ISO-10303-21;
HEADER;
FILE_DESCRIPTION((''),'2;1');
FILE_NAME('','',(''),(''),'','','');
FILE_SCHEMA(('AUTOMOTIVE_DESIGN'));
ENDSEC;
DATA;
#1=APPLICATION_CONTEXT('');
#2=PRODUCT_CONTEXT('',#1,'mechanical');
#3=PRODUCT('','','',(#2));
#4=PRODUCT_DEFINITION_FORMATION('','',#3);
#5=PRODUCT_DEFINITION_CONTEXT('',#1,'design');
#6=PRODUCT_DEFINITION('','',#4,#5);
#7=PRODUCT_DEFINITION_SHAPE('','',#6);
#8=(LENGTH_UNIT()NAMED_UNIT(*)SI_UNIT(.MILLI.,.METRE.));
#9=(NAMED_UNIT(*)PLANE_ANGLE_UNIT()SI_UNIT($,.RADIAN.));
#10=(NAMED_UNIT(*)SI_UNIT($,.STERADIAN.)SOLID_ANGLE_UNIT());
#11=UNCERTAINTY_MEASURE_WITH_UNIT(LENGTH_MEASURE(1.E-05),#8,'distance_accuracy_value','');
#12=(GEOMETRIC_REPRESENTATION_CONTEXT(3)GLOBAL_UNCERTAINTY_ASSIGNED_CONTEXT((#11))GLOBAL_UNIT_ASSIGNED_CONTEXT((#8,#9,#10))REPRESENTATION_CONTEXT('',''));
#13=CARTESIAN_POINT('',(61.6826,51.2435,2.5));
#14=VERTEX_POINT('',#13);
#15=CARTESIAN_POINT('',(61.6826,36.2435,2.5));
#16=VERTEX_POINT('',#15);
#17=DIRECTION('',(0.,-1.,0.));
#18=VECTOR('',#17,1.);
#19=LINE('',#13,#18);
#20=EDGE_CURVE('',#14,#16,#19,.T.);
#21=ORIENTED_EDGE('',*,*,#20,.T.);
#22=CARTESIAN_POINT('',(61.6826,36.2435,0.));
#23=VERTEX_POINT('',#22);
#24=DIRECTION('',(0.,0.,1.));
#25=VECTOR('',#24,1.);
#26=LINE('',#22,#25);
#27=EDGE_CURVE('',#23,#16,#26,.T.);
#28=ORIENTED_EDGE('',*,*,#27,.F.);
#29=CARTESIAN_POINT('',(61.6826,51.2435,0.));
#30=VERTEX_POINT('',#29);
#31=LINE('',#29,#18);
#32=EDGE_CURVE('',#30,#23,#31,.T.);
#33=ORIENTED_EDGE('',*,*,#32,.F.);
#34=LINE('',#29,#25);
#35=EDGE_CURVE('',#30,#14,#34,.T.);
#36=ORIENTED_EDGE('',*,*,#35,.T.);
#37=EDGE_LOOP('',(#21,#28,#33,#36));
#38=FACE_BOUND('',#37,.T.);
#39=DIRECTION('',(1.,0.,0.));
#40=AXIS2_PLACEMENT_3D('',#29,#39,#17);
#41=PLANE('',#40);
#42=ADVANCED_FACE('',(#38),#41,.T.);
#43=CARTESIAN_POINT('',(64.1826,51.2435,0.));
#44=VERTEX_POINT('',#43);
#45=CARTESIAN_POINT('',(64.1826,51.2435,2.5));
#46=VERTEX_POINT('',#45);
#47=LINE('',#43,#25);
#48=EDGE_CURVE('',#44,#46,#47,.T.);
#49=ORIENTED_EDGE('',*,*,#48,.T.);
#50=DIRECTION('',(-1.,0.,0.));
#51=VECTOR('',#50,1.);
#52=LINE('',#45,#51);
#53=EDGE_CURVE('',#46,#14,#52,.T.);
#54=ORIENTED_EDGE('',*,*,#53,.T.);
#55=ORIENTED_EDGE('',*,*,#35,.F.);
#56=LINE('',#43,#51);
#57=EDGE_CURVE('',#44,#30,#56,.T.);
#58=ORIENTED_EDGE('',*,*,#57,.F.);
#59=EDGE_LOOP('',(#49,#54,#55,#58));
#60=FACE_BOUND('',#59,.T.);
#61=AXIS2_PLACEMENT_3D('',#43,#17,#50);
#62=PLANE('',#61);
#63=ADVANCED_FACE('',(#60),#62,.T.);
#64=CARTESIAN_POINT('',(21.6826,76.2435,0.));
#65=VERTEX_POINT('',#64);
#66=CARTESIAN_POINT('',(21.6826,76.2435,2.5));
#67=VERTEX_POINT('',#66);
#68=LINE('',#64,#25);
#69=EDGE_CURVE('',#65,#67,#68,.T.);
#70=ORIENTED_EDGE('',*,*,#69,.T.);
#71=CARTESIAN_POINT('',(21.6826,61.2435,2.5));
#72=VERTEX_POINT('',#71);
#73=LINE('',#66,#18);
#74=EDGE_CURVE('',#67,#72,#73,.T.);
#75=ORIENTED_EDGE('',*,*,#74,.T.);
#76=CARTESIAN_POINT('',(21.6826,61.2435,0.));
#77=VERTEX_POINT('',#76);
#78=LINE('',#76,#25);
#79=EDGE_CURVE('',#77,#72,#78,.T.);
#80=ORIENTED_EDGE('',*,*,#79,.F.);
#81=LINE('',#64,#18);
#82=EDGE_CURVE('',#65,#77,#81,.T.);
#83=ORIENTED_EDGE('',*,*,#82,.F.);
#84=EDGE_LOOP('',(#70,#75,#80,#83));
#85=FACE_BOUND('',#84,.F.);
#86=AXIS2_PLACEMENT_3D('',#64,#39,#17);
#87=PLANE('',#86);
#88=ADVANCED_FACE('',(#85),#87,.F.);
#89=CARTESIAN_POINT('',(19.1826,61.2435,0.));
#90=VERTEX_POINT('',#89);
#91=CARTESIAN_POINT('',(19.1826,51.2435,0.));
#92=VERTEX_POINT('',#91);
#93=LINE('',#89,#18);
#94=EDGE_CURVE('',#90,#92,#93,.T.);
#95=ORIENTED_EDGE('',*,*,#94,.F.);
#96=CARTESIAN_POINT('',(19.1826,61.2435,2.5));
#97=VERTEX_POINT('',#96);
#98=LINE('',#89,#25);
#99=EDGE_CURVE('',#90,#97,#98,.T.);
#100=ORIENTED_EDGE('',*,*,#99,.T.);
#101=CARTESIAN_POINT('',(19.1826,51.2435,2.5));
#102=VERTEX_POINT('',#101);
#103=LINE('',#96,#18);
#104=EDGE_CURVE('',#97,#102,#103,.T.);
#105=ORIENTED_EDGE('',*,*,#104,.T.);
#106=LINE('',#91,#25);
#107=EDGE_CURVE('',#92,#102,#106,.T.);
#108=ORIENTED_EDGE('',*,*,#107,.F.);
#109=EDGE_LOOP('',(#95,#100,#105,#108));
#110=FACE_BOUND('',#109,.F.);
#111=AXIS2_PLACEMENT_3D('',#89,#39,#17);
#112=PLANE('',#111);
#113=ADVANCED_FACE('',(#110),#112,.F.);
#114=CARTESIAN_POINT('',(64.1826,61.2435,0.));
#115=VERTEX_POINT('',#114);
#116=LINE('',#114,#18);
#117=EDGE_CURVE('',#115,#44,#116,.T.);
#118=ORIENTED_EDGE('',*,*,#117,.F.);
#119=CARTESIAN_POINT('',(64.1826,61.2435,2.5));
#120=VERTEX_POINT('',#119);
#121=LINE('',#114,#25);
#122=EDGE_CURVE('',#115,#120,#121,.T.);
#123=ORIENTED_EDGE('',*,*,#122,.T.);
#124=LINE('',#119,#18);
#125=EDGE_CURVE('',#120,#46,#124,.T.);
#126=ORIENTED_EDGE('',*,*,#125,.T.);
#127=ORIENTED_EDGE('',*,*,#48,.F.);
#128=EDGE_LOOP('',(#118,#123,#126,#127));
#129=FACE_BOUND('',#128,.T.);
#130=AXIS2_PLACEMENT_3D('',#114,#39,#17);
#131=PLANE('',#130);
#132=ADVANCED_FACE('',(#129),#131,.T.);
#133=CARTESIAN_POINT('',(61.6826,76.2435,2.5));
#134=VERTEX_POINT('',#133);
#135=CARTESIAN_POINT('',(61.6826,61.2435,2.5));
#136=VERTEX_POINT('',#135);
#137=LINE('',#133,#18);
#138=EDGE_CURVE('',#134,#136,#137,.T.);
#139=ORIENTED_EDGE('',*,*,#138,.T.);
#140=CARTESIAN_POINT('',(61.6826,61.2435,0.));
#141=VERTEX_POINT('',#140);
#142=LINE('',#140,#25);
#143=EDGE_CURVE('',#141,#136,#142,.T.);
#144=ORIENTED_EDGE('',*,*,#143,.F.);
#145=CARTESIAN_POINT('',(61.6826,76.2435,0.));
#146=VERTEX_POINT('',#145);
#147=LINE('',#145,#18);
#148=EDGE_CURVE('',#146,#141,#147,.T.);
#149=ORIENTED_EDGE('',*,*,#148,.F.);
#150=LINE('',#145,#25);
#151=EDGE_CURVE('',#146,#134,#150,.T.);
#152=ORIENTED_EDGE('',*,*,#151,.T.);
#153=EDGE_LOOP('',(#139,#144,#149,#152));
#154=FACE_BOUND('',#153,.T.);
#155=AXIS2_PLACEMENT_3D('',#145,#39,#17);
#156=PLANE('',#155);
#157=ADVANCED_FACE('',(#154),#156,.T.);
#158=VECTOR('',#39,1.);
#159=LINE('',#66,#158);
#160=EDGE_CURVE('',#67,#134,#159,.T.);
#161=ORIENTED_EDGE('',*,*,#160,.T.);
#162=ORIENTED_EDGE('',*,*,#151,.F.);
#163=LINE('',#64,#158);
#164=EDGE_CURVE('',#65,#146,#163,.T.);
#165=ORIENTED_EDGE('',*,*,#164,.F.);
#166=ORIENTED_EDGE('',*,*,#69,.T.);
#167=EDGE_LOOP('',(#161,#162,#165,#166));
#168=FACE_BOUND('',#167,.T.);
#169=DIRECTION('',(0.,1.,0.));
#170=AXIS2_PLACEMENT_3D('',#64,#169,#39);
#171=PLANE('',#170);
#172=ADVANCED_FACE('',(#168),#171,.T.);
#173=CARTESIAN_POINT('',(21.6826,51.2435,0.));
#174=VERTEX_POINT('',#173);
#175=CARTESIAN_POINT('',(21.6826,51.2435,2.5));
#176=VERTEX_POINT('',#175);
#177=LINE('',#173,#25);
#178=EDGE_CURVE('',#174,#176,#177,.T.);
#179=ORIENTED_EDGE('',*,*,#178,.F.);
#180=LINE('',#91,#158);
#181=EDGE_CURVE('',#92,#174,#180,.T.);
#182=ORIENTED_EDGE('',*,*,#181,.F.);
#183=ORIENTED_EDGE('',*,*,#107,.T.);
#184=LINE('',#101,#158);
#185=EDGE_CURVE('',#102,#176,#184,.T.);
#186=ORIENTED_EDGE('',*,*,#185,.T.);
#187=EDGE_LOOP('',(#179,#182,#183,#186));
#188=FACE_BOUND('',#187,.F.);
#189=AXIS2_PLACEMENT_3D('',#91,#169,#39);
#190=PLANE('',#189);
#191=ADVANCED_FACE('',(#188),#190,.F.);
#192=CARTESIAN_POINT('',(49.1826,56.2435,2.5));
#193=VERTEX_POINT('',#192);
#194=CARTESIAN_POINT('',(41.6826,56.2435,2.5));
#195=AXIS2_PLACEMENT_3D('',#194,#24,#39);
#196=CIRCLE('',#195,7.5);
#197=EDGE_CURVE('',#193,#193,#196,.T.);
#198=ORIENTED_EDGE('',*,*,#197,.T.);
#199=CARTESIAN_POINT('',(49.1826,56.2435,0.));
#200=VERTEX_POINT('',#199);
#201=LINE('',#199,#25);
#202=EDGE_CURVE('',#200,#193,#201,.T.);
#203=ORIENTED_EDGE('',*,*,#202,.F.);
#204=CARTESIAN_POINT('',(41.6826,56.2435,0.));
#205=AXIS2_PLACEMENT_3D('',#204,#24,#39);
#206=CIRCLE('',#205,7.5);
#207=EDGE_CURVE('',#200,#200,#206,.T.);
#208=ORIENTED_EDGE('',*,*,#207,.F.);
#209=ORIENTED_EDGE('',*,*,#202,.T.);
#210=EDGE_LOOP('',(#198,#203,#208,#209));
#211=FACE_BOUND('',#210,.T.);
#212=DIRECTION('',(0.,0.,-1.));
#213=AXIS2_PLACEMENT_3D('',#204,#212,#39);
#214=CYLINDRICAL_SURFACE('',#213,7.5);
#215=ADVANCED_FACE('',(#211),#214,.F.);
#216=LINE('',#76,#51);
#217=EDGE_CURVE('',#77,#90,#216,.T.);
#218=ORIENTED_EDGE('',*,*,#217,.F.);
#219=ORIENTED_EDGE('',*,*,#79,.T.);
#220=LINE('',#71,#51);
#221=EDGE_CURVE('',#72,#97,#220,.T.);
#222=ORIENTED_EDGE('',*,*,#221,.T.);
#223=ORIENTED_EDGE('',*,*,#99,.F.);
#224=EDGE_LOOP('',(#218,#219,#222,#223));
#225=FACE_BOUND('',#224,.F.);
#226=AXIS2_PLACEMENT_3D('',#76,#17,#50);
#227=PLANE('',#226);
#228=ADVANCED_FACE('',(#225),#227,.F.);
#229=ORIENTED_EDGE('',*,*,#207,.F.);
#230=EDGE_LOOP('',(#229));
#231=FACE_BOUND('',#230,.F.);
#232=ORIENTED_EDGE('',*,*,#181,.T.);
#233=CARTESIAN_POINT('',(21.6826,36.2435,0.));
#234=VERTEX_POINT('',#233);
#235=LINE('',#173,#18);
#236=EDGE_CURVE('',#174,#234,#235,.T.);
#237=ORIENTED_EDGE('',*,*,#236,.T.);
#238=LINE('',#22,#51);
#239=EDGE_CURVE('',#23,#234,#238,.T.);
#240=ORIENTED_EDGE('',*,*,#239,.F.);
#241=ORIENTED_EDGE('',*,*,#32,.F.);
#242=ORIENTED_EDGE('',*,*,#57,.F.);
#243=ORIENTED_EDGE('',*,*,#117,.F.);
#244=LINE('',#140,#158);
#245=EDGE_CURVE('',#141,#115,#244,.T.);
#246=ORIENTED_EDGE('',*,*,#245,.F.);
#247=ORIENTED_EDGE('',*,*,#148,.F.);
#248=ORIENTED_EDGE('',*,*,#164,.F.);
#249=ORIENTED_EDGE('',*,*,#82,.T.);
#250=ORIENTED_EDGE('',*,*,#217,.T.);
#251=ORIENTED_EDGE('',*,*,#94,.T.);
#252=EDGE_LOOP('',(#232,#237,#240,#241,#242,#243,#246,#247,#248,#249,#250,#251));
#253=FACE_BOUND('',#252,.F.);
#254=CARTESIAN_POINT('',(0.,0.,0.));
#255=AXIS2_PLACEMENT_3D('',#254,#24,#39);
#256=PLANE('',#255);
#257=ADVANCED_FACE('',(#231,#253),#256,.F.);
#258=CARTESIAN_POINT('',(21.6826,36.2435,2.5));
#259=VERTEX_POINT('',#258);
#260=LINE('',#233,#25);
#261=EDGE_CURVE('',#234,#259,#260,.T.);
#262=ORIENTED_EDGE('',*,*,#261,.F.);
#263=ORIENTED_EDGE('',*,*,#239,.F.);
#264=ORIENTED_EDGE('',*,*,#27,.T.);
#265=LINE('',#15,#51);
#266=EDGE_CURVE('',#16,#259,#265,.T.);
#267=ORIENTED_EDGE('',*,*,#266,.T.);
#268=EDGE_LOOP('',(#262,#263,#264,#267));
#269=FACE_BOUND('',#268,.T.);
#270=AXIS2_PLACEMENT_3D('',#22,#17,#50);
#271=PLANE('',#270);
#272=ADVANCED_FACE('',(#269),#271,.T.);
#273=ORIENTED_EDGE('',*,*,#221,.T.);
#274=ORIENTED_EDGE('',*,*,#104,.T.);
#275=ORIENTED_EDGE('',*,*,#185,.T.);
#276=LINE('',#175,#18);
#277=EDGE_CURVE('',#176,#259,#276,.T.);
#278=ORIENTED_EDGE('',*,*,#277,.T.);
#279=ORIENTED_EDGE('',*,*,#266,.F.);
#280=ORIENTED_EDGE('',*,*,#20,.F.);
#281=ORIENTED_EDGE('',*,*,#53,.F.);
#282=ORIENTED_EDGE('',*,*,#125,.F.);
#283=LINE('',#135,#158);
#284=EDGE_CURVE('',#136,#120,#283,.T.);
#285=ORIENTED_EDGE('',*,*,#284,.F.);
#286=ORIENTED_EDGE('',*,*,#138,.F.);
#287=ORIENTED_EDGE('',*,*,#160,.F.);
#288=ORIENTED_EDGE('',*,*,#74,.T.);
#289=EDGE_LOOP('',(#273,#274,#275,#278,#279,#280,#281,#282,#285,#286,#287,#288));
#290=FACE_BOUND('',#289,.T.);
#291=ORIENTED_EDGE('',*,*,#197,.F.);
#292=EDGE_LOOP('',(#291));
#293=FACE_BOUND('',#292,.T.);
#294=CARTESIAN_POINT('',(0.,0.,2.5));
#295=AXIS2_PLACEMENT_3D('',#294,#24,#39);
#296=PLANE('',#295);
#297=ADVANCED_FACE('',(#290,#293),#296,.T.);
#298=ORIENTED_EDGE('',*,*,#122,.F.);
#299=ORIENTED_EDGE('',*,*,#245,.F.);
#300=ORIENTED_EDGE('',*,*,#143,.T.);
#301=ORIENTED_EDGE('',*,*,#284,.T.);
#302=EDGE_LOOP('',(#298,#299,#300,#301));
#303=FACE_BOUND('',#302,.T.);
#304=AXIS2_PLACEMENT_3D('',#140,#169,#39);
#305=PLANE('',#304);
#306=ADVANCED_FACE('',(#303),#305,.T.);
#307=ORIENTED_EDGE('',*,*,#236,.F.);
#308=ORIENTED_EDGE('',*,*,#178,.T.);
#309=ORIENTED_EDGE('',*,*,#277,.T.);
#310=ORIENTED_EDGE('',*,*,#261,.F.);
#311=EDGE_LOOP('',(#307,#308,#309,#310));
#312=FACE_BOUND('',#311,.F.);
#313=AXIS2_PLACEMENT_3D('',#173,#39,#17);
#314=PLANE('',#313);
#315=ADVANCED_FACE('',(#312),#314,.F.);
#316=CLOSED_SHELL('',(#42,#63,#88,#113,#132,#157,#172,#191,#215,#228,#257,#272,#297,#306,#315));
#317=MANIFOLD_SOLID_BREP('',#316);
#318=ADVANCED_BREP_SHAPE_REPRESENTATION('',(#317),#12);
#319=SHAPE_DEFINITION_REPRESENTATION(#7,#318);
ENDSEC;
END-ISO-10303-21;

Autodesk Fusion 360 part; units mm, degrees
sketch "Sketch1" plane through (0, 0, 0) normal (0, 0, 1) x (1, 0, 0)
  line L0 (21.6826, 76.2435) -> (61.6826, 76.2435)
  line L1 (61.6826, 76.2435) -> (61.6826, 61.2435)
  line L2 (21.6826, 76.2435) -> (21.6826, 61.2435)
  line L3 (61.6826, 61.2435) -> (64.1826, 61.2435)
  line L4 (21.6826, 61.2435) -> (19.1826, 61.2435)
  line L5 (64.1826, 61.2435) -> (64.1826, 51.2435)
  line L6 (19.1826, 61.2435) -> (19.1826, 51.2435)
  line L7 (64.1826, 51.2435) -> (61.6826, 51.2435)
  line L8 (19.1826, 51.2435) -> (21.6826, 51.2435)
  line L9 (21.6826, 51.2435) -> (21.6826, 36.2435)
  line L10 (61.6826, 51.2435) -> (61.6826, 36.2435)
  line L11 (61.6826, 36.2435) -> (21.6826, 36.2435)
  circle A0 centre (41.6826, 56.2435) radius 7.5
  dimension "d1" = 40
  dimension "d2" = 15
  dimension "d3" = 15
  dimension "d4" = 2.5
  dimension "d5" = 2.5
  dimension "d6" = 10
  dimension "d7" = 10
  dimension "d8" = 2.5
  dimension "d9" = 2.5
  dimension "d10" = 15
  dimension "d11" = 15
  dimension "d12" = 15
  dimension "d13" = 20
  dimension "d14" = 22.5
extrude "Extrude1" add sketch "Sketch1" along normal blind 2.5
